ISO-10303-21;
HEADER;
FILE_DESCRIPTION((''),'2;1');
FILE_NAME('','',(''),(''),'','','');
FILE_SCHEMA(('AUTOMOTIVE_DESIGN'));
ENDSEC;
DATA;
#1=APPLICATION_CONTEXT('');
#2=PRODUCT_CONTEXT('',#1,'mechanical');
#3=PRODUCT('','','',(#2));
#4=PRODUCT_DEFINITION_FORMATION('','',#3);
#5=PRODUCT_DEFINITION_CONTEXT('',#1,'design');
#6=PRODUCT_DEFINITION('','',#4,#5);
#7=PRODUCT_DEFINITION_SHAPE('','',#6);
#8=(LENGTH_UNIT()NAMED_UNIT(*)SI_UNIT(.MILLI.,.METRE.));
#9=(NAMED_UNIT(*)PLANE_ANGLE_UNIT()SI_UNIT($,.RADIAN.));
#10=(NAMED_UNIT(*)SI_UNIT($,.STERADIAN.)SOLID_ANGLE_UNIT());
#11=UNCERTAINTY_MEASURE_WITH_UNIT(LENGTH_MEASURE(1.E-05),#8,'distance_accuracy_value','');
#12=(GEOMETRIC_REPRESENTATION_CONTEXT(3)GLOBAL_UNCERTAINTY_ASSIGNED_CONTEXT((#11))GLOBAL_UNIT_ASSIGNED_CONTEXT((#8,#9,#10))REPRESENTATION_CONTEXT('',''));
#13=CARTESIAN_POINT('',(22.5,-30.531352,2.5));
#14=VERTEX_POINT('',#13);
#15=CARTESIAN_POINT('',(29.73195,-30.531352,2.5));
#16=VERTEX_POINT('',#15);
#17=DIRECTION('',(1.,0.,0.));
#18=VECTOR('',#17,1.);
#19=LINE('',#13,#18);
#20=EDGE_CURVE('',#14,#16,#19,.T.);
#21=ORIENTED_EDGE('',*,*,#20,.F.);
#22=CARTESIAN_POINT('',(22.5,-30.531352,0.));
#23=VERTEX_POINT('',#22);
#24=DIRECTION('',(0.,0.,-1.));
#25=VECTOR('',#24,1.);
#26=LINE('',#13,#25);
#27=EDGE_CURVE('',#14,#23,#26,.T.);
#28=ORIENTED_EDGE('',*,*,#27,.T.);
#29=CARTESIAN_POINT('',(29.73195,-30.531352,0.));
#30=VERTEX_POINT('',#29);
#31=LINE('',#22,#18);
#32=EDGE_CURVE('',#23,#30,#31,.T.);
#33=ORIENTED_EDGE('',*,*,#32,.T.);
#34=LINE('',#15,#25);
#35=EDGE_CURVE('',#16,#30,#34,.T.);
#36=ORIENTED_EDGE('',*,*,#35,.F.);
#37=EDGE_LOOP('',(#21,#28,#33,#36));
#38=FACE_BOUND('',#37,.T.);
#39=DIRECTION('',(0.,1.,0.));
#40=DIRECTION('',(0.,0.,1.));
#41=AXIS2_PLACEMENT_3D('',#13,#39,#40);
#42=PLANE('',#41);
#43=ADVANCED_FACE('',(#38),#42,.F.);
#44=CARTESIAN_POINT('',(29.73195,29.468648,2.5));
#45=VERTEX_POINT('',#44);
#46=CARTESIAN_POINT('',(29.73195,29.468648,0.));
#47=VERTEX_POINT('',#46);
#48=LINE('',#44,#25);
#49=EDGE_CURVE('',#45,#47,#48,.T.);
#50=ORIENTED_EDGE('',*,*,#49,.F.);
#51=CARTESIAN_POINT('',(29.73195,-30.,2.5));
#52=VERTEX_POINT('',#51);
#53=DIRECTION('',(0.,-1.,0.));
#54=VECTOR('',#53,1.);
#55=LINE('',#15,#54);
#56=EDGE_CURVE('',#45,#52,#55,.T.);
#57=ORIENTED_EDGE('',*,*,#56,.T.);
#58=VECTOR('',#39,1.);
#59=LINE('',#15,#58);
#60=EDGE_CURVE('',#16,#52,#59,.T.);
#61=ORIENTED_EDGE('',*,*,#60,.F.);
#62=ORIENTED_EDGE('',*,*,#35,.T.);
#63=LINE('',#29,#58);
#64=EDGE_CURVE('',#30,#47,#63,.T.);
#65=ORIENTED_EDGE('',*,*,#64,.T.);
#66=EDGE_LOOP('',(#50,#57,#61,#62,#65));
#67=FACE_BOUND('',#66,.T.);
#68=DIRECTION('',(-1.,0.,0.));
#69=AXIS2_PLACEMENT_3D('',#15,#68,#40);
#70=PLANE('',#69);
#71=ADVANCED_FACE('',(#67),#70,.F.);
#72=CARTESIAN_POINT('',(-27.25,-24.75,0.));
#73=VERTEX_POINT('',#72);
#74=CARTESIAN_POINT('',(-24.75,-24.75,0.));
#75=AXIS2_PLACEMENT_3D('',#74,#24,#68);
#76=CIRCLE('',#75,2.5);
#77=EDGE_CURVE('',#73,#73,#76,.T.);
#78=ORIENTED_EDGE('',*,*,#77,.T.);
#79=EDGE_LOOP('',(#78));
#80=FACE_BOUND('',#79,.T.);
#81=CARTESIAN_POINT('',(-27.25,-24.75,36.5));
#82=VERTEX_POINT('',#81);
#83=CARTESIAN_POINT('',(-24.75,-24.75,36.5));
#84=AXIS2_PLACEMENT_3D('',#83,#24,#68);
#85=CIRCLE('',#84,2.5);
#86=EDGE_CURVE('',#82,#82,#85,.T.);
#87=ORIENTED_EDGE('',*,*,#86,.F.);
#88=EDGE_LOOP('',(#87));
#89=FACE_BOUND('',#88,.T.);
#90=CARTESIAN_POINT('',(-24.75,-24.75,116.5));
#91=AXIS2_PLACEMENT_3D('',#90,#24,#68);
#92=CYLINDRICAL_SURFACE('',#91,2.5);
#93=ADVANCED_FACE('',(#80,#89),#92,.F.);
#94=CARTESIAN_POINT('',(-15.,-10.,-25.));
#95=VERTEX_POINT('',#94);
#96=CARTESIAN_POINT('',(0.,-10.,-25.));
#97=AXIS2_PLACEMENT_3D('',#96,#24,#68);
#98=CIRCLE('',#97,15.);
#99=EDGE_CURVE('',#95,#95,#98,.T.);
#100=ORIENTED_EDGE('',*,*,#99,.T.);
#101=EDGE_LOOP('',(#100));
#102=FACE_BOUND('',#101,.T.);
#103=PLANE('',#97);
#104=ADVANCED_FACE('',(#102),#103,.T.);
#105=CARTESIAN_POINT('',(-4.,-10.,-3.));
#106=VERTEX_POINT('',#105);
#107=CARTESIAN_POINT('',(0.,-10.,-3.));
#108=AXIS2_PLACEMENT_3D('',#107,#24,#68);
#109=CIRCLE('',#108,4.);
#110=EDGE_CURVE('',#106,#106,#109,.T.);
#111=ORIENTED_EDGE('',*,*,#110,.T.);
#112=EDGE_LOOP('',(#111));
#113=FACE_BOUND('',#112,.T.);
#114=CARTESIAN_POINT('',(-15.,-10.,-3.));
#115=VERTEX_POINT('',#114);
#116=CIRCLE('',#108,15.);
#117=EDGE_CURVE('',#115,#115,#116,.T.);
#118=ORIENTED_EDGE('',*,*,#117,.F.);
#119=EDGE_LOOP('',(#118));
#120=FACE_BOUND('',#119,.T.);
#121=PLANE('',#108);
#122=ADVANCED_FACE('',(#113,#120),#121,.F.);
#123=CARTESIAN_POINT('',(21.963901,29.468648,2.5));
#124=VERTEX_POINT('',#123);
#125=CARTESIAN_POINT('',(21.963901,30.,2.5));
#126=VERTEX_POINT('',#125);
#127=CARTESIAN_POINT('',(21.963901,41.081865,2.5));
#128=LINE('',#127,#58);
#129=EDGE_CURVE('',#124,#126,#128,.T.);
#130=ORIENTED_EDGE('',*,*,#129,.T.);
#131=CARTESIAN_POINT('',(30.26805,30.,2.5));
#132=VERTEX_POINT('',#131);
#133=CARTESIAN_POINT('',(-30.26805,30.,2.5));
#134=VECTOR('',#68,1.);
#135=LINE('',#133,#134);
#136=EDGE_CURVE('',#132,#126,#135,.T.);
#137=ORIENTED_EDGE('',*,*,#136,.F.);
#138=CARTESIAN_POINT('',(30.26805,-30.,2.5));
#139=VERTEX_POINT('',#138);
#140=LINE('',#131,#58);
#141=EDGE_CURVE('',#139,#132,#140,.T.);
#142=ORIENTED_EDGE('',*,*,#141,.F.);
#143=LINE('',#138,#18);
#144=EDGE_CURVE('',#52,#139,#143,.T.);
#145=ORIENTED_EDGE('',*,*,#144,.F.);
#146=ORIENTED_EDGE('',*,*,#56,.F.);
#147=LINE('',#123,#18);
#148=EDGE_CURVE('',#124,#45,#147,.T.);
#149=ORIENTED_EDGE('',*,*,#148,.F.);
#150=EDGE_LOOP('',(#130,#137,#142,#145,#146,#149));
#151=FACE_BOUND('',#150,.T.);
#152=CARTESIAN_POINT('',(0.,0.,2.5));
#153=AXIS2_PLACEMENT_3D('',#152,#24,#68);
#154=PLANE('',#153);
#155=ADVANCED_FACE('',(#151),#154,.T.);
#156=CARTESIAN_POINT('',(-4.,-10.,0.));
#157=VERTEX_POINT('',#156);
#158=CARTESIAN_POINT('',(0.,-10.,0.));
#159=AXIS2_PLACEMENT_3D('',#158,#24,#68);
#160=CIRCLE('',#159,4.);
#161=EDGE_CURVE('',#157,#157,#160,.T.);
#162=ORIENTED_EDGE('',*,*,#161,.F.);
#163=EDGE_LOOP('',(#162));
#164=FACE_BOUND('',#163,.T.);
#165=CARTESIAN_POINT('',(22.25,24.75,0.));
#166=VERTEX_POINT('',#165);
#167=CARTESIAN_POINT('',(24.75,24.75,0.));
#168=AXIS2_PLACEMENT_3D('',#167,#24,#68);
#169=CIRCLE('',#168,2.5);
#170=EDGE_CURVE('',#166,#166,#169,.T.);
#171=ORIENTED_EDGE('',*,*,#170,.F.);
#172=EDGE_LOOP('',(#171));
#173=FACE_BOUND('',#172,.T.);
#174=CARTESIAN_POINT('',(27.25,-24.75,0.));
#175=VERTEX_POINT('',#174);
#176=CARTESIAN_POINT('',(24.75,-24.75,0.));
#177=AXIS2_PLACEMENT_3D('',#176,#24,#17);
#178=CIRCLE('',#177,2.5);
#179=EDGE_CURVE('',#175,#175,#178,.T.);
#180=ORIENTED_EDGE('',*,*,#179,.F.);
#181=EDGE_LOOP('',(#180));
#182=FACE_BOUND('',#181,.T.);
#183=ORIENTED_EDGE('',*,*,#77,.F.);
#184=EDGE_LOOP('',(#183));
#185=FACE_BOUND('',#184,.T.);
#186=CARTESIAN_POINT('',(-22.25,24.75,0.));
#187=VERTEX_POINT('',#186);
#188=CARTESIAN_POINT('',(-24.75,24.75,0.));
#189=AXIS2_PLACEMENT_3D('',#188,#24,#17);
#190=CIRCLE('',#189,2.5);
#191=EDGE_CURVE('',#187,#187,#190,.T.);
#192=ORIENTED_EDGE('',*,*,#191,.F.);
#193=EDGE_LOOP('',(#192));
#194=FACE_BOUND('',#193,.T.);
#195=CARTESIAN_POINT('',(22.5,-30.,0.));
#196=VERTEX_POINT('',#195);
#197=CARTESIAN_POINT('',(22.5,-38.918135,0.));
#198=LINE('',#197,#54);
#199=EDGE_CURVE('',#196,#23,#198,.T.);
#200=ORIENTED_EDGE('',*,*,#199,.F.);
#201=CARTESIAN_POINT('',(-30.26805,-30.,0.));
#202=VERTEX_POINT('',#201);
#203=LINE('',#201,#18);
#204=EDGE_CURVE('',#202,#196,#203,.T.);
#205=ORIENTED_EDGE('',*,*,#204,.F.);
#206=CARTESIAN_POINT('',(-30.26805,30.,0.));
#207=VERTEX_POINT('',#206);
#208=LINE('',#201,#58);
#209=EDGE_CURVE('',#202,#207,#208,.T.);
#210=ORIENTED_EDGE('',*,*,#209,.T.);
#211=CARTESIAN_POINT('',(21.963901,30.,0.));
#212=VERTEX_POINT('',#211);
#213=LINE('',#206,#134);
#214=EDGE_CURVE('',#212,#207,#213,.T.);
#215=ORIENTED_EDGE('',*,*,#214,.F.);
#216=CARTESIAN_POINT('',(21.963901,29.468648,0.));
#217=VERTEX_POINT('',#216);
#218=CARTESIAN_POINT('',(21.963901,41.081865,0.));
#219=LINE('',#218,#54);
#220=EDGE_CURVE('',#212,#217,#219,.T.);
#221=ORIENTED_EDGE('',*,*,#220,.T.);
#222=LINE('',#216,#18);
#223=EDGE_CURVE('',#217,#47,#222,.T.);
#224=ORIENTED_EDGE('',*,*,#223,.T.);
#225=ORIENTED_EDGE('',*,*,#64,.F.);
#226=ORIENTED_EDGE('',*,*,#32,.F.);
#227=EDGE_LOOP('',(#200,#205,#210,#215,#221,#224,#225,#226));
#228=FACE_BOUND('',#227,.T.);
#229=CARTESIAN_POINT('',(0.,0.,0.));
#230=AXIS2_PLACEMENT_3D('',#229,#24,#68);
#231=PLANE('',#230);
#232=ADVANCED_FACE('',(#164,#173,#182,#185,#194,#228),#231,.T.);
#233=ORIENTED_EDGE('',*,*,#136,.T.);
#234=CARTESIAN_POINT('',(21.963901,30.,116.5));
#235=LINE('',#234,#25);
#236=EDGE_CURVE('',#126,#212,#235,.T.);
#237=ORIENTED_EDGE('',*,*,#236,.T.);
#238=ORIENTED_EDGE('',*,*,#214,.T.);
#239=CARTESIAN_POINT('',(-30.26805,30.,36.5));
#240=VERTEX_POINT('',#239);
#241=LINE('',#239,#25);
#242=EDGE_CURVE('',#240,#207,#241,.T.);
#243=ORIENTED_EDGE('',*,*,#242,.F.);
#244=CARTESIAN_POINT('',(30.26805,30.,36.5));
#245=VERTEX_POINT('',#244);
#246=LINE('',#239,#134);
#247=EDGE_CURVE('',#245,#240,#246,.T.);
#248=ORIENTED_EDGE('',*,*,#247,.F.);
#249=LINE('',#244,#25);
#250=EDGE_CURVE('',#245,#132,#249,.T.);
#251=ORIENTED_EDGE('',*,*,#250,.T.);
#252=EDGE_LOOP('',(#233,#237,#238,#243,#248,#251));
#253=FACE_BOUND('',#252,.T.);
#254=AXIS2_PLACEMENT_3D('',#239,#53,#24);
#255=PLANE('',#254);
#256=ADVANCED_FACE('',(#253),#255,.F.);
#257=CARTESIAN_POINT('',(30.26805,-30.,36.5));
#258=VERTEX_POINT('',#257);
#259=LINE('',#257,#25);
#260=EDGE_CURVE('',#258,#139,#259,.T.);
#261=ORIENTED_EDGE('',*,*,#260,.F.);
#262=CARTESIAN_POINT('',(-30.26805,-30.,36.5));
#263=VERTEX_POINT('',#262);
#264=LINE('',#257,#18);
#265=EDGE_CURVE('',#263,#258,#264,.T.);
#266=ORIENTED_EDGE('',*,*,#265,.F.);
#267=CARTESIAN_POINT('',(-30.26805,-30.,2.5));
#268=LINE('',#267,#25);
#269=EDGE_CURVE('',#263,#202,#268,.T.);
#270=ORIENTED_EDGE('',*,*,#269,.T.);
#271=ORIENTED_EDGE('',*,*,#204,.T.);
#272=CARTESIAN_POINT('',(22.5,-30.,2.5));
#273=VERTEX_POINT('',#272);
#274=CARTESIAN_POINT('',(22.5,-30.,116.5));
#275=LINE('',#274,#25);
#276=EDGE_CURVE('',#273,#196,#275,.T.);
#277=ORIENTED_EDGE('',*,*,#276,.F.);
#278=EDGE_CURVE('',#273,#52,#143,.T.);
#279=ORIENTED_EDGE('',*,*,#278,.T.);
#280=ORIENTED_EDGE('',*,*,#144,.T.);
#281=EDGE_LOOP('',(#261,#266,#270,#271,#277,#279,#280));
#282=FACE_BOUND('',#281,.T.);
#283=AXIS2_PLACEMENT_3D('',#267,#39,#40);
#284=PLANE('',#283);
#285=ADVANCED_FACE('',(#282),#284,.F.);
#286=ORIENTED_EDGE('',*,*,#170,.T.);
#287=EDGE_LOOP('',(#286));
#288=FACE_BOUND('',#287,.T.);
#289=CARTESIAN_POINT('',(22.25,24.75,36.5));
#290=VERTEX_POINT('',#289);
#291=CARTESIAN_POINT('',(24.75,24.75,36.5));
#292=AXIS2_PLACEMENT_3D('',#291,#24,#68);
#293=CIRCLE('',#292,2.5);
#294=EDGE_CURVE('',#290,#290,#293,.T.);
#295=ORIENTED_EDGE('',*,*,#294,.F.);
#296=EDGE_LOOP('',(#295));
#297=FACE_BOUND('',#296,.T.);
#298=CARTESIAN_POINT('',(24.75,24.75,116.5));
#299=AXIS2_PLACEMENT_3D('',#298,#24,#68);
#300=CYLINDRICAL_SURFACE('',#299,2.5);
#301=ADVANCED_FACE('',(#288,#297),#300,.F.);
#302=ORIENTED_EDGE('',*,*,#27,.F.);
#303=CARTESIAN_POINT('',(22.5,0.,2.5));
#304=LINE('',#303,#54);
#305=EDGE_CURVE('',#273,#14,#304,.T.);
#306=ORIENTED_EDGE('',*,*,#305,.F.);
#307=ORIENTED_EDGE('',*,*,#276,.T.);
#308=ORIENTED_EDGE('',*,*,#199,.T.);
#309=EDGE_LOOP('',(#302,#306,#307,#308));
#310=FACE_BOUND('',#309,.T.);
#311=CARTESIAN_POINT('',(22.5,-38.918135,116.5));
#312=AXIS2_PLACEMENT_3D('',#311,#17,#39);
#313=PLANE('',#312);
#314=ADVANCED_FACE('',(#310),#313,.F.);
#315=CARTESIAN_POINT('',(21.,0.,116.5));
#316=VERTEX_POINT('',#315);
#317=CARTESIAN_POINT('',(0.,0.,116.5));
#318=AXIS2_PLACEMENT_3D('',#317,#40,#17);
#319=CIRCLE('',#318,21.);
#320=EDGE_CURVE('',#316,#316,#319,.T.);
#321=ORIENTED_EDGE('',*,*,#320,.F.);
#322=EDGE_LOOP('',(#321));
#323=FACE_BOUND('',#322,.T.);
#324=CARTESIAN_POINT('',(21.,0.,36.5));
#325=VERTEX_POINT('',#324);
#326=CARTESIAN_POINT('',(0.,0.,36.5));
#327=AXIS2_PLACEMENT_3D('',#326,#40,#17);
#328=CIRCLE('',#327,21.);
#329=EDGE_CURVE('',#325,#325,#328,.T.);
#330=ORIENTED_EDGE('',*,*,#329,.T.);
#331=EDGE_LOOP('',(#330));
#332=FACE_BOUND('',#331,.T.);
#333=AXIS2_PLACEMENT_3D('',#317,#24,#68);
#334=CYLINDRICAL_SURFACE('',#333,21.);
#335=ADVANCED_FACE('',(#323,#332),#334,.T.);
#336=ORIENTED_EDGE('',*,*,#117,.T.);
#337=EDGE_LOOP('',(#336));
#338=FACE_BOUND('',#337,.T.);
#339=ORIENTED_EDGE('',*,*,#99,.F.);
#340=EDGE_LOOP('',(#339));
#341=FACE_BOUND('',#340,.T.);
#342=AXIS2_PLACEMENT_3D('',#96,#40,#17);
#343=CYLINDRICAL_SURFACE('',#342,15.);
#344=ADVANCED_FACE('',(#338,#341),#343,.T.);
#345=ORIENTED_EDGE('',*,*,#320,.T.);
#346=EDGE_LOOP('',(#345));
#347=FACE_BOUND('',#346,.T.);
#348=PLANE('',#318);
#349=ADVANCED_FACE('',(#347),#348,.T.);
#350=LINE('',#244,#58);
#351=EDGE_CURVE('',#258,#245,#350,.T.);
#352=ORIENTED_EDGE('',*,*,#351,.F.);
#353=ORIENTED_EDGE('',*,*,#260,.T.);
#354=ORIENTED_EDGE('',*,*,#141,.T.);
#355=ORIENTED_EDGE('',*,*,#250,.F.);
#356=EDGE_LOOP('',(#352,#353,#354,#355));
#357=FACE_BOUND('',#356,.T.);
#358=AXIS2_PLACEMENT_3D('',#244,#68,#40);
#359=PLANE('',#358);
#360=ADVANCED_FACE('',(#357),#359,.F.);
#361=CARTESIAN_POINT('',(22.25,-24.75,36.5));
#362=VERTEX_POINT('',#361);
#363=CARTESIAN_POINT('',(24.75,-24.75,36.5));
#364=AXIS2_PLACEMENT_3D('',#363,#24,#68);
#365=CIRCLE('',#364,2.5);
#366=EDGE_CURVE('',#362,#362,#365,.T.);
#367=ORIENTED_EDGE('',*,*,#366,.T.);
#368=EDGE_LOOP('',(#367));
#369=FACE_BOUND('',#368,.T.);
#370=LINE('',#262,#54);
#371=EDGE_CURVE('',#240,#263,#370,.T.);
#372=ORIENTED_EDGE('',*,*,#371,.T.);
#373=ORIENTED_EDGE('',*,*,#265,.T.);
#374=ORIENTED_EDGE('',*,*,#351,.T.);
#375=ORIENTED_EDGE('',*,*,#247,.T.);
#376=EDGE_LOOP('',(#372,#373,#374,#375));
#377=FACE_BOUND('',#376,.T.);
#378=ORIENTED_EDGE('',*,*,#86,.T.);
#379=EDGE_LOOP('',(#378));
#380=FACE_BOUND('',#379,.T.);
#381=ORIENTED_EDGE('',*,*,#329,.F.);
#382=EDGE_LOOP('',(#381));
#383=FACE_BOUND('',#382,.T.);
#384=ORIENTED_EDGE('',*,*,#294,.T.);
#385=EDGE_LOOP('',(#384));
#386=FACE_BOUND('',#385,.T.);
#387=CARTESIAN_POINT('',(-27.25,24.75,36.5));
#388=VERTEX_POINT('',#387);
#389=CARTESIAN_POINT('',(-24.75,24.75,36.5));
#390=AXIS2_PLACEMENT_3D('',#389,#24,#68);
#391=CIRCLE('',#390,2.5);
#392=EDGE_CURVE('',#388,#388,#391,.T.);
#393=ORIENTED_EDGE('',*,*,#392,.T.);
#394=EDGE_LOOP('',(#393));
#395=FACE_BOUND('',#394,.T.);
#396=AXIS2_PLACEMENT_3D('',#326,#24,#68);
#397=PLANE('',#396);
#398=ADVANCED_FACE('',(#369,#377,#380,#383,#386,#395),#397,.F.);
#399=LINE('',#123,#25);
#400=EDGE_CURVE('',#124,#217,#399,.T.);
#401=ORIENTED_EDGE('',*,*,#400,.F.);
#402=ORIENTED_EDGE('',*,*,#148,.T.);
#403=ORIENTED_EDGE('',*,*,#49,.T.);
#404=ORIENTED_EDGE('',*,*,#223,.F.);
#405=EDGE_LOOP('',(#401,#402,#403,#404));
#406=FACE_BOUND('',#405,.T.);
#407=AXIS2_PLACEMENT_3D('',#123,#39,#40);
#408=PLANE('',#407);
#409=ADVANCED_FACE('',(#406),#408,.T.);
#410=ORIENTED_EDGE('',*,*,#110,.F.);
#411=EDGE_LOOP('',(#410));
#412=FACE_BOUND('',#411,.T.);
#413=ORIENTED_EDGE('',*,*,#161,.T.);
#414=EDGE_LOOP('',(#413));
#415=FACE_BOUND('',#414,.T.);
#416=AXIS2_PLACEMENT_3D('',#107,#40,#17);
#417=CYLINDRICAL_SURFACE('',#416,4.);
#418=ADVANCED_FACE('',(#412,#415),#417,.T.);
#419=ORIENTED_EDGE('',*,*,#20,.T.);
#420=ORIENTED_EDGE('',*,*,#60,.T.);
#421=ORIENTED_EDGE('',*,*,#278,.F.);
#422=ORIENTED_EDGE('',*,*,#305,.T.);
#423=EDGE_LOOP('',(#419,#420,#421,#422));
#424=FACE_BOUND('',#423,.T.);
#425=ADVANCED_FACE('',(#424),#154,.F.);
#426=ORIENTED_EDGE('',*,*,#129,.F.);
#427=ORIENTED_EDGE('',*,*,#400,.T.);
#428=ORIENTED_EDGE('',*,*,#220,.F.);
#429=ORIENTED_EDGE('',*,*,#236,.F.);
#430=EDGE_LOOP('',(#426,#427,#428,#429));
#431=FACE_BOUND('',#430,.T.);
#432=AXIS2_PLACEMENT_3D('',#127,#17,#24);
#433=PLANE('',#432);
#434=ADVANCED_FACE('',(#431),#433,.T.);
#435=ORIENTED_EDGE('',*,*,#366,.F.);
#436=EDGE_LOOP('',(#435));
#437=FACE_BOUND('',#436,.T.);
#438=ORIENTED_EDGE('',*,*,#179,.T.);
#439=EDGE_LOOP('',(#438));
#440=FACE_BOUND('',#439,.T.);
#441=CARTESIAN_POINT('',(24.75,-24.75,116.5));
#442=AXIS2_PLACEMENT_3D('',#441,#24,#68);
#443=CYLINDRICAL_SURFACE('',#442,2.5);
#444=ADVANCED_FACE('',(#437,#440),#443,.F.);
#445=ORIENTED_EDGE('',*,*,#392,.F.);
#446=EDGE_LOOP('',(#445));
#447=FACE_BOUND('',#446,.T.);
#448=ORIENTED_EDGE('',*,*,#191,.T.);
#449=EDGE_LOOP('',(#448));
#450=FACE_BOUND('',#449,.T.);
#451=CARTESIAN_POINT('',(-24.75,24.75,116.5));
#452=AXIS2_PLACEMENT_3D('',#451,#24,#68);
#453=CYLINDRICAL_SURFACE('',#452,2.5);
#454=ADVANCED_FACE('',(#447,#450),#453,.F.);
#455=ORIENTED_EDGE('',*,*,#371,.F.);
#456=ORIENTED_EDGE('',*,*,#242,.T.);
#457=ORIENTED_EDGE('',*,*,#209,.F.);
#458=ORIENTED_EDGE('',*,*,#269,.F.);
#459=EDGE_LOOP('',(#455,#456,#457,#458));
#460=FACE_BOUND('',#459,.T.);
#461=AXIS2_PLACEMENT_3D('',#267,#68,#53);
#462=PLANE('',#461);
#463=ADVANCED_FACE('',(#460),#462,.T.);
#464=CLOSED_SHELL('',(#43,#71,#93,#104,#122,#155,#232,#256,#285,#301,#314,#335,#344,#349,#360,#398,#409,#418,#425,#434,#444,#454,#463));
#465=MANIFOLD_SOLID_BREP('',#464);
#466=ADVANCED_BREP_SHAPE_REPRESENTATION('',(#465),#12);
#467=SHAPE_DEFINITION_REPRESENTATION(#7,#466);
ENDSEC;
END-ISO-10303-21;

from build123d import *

# Parameters (mm, degrees)
BOSS_EXTRUDE1_DEPTH = 2.5
SKETCH3_W           = 45
SKETCH3_H           = 1.418134712
SKETCH3_W_2         = 44.463900584
SKETCH3_H_2         = 3.684459624
BOSS_EXTRUDE2_DEPTH = 31.5
SKETCH4_W           = 60.536099416
SKETCH4_H           = 60
BOSS_EXTRUDE3_DEPTH = 34
SKETCH5_R           = 21
BOSS_EXTRUDE4_DEPTH = 80
SKETCH6_R           = 4
BOSS_EXTRUDE5_DEPTH = 3
SKETCH7_R           = 15
BOSS_EXTRUDE6_DEPTH = 22
SKETCH13_R          = 2
CUT_EXTRUDE1_DEPTH  = 3
CUT_EXTRUDE2_START  = -3
SKETCH14_R          = 2
CUT_EXTRUDE2_DEPTH  = 3
SKETCH15_R          = 2.5
SKETCH15_W          = 52.231950292
SKETCH15_H          = 11.081865288
SKETCH15_W_2        = 52.768049708
SKETCH15_H_2        = 8.918134712
CUT_EXTRUDE3_DEPTH  = 128.185394164


with BuildPart() as part:
    # Sketch2 → Boss-Extrude1 (new body)
    with BuildSketch(Plane.XY):
        Polygon((-30.268049708, -30), (-30.268049708, 31.081865288), (-22.5, 31.081865288), (-22.5, 41.081865288), (21.963900584, 41.081865288), (21.963900584, 29.468648207), (29.731950292, 29.468648207), (29.731950292, -30.531351793), (22.5, -30.531351793), (22.5, -38.918134712), (-22.5, -38.918134712), (-22.5, -30), align=None)
    extrude(amount=BOSS_EXTRUDE1_DEPTH)

    # Sketch3 → Boss-Extrude2 (add)
    with BuildSketch(Plane.XY.offset(2.5)):
        with Locations((0, -38.209067356)):
            Rectangle(SKETCH3_W, SKETCH3_H)
        with Locations((-0.268049708, 39.239635476)):
            Rectangle(SKETCH3_W_2, SKETCH3_H_2)
    extrude(amount=BOSS_EXTRUDE2_DEPTH)

    # Sketch4 → Boss-Extrude3 (add)
    with BuildSketch(Plane.XY.offset(2.5)):
        Rectangle(SKETCH4_W, SKETCH4_H)
    extrude(amount=BOSS_EXTRUDE3_DEPTH)

    # Sketch5 → Boss-Extrude4 (add)
    with BuildSketch(Plane.XY.offset(36.5)):
        Circle(SKETCH5_R)
    extrude(amount=BOSS_EXTRUDE4_DEPTH)

    # Sketch6 → Boss-Extrude5 (add)
    with BuildSketch(Plane(origin=(0, 0, 0), x_dir=(-1, 0, 0), z_dir=(0, 0, -1))):
        with Locations((0, -10)):
            Circle(SKETCH6_R)
    extrude(amount=BOSS_EXTRUDE5_DEPTH)

    # Sketch7 → Boss-Extrude6 (add)
    with BuildSketch(Plane(origin=(0, 0, -3), x_dir=(-1, 0, 0), z_dir=(0, 0, -1))):
        with Locations((0, -10)):
            Circle(SKETCH7_R)
    extrude(amount=BOSS_EXTRUDE6_DEPTH)

    # Sketch13 → Cut-Extrude1 (cut)
    with BuildSketch(Plane(origin=(0, 41.081865288, 0), x_dir=(1, 0, 0), z_dir=(0, 1, 0))):
        with Locations(Location((-12.5, -14, 0), (0, 0, 270))):
            Circle(SKETCH13_R)
        with Locations(Location((12.5, -14, 0), (0, 0, 270))):
            Circle(SKETCH13_R)
        with Locations(Location((-12.5, -26, 0), (0, 0, 270))):
            Circle(SKETCH13_R)
        with Locations(Location((12.5, -26, 0), (0, 0, 270))):
            Circle(SKETCH13_R)
    extrude(amount=-CUT_EXTRUDE1_DEPTH, mode=Mode.SUBTRACT)

    # Sketch14 → Cut-Extrude2 (cut)
    with BuildSketch(Plane.XZ.offset(38.918134712).offset(CUT_EXTRUDE2_START)):
        with Locations(Location((12.5, 26, 0), (0, 0, 90))):
            Circle(SKETCH14_R)
        with Locations(Location((12.5, 14, 0), (0, 0, 90))):
            Circle(SKETCH14_R)
        with Locations(Location((-12.5, 14, 0), (0, 0, 90))):
            Circle(SKETCH14_R)
        with Locations(Location((-12.5, 26, 0), (0, 0, 90))):
            Circle(SKETCH14_R)
    extrude(amount=CUT_EXTRUDE2_DEPTH, mode=Mode.SUBTRACT)

    # Sketch15 → Cut-Extrude3 (cut, through all)
    with BuildSketch(Plane(origin=(0, 0, 0), x_dir=(-1, 0, 0), z_dir=(0, 0, -1))):
        with Locations((-24.75, 24.75)):
            Circle(SKETCH15_R)
        with Locations((24.75, 24.75)):
            Circle(SKETCH15_R)
        with Locations((24.75, -24.75)):
            Circle(SKETCH15_R)
        with Locations((-24.75, -24.75)):
            Circle(SKETCH15_R)
        with Locations((4.152074562, 35.540932644)):
            Rectangle(SKETCH15_W, SKETCH15_H)
        with Locations((3.884024854, -34.459067356)):
            Rectangle(SKETCH15_W_2, SKETCH15_H_2)
    extrude(amount=-CUT_EXTRUDE3_DEPTH, mode=Mode.SUBTRACT)


solid = part.part
